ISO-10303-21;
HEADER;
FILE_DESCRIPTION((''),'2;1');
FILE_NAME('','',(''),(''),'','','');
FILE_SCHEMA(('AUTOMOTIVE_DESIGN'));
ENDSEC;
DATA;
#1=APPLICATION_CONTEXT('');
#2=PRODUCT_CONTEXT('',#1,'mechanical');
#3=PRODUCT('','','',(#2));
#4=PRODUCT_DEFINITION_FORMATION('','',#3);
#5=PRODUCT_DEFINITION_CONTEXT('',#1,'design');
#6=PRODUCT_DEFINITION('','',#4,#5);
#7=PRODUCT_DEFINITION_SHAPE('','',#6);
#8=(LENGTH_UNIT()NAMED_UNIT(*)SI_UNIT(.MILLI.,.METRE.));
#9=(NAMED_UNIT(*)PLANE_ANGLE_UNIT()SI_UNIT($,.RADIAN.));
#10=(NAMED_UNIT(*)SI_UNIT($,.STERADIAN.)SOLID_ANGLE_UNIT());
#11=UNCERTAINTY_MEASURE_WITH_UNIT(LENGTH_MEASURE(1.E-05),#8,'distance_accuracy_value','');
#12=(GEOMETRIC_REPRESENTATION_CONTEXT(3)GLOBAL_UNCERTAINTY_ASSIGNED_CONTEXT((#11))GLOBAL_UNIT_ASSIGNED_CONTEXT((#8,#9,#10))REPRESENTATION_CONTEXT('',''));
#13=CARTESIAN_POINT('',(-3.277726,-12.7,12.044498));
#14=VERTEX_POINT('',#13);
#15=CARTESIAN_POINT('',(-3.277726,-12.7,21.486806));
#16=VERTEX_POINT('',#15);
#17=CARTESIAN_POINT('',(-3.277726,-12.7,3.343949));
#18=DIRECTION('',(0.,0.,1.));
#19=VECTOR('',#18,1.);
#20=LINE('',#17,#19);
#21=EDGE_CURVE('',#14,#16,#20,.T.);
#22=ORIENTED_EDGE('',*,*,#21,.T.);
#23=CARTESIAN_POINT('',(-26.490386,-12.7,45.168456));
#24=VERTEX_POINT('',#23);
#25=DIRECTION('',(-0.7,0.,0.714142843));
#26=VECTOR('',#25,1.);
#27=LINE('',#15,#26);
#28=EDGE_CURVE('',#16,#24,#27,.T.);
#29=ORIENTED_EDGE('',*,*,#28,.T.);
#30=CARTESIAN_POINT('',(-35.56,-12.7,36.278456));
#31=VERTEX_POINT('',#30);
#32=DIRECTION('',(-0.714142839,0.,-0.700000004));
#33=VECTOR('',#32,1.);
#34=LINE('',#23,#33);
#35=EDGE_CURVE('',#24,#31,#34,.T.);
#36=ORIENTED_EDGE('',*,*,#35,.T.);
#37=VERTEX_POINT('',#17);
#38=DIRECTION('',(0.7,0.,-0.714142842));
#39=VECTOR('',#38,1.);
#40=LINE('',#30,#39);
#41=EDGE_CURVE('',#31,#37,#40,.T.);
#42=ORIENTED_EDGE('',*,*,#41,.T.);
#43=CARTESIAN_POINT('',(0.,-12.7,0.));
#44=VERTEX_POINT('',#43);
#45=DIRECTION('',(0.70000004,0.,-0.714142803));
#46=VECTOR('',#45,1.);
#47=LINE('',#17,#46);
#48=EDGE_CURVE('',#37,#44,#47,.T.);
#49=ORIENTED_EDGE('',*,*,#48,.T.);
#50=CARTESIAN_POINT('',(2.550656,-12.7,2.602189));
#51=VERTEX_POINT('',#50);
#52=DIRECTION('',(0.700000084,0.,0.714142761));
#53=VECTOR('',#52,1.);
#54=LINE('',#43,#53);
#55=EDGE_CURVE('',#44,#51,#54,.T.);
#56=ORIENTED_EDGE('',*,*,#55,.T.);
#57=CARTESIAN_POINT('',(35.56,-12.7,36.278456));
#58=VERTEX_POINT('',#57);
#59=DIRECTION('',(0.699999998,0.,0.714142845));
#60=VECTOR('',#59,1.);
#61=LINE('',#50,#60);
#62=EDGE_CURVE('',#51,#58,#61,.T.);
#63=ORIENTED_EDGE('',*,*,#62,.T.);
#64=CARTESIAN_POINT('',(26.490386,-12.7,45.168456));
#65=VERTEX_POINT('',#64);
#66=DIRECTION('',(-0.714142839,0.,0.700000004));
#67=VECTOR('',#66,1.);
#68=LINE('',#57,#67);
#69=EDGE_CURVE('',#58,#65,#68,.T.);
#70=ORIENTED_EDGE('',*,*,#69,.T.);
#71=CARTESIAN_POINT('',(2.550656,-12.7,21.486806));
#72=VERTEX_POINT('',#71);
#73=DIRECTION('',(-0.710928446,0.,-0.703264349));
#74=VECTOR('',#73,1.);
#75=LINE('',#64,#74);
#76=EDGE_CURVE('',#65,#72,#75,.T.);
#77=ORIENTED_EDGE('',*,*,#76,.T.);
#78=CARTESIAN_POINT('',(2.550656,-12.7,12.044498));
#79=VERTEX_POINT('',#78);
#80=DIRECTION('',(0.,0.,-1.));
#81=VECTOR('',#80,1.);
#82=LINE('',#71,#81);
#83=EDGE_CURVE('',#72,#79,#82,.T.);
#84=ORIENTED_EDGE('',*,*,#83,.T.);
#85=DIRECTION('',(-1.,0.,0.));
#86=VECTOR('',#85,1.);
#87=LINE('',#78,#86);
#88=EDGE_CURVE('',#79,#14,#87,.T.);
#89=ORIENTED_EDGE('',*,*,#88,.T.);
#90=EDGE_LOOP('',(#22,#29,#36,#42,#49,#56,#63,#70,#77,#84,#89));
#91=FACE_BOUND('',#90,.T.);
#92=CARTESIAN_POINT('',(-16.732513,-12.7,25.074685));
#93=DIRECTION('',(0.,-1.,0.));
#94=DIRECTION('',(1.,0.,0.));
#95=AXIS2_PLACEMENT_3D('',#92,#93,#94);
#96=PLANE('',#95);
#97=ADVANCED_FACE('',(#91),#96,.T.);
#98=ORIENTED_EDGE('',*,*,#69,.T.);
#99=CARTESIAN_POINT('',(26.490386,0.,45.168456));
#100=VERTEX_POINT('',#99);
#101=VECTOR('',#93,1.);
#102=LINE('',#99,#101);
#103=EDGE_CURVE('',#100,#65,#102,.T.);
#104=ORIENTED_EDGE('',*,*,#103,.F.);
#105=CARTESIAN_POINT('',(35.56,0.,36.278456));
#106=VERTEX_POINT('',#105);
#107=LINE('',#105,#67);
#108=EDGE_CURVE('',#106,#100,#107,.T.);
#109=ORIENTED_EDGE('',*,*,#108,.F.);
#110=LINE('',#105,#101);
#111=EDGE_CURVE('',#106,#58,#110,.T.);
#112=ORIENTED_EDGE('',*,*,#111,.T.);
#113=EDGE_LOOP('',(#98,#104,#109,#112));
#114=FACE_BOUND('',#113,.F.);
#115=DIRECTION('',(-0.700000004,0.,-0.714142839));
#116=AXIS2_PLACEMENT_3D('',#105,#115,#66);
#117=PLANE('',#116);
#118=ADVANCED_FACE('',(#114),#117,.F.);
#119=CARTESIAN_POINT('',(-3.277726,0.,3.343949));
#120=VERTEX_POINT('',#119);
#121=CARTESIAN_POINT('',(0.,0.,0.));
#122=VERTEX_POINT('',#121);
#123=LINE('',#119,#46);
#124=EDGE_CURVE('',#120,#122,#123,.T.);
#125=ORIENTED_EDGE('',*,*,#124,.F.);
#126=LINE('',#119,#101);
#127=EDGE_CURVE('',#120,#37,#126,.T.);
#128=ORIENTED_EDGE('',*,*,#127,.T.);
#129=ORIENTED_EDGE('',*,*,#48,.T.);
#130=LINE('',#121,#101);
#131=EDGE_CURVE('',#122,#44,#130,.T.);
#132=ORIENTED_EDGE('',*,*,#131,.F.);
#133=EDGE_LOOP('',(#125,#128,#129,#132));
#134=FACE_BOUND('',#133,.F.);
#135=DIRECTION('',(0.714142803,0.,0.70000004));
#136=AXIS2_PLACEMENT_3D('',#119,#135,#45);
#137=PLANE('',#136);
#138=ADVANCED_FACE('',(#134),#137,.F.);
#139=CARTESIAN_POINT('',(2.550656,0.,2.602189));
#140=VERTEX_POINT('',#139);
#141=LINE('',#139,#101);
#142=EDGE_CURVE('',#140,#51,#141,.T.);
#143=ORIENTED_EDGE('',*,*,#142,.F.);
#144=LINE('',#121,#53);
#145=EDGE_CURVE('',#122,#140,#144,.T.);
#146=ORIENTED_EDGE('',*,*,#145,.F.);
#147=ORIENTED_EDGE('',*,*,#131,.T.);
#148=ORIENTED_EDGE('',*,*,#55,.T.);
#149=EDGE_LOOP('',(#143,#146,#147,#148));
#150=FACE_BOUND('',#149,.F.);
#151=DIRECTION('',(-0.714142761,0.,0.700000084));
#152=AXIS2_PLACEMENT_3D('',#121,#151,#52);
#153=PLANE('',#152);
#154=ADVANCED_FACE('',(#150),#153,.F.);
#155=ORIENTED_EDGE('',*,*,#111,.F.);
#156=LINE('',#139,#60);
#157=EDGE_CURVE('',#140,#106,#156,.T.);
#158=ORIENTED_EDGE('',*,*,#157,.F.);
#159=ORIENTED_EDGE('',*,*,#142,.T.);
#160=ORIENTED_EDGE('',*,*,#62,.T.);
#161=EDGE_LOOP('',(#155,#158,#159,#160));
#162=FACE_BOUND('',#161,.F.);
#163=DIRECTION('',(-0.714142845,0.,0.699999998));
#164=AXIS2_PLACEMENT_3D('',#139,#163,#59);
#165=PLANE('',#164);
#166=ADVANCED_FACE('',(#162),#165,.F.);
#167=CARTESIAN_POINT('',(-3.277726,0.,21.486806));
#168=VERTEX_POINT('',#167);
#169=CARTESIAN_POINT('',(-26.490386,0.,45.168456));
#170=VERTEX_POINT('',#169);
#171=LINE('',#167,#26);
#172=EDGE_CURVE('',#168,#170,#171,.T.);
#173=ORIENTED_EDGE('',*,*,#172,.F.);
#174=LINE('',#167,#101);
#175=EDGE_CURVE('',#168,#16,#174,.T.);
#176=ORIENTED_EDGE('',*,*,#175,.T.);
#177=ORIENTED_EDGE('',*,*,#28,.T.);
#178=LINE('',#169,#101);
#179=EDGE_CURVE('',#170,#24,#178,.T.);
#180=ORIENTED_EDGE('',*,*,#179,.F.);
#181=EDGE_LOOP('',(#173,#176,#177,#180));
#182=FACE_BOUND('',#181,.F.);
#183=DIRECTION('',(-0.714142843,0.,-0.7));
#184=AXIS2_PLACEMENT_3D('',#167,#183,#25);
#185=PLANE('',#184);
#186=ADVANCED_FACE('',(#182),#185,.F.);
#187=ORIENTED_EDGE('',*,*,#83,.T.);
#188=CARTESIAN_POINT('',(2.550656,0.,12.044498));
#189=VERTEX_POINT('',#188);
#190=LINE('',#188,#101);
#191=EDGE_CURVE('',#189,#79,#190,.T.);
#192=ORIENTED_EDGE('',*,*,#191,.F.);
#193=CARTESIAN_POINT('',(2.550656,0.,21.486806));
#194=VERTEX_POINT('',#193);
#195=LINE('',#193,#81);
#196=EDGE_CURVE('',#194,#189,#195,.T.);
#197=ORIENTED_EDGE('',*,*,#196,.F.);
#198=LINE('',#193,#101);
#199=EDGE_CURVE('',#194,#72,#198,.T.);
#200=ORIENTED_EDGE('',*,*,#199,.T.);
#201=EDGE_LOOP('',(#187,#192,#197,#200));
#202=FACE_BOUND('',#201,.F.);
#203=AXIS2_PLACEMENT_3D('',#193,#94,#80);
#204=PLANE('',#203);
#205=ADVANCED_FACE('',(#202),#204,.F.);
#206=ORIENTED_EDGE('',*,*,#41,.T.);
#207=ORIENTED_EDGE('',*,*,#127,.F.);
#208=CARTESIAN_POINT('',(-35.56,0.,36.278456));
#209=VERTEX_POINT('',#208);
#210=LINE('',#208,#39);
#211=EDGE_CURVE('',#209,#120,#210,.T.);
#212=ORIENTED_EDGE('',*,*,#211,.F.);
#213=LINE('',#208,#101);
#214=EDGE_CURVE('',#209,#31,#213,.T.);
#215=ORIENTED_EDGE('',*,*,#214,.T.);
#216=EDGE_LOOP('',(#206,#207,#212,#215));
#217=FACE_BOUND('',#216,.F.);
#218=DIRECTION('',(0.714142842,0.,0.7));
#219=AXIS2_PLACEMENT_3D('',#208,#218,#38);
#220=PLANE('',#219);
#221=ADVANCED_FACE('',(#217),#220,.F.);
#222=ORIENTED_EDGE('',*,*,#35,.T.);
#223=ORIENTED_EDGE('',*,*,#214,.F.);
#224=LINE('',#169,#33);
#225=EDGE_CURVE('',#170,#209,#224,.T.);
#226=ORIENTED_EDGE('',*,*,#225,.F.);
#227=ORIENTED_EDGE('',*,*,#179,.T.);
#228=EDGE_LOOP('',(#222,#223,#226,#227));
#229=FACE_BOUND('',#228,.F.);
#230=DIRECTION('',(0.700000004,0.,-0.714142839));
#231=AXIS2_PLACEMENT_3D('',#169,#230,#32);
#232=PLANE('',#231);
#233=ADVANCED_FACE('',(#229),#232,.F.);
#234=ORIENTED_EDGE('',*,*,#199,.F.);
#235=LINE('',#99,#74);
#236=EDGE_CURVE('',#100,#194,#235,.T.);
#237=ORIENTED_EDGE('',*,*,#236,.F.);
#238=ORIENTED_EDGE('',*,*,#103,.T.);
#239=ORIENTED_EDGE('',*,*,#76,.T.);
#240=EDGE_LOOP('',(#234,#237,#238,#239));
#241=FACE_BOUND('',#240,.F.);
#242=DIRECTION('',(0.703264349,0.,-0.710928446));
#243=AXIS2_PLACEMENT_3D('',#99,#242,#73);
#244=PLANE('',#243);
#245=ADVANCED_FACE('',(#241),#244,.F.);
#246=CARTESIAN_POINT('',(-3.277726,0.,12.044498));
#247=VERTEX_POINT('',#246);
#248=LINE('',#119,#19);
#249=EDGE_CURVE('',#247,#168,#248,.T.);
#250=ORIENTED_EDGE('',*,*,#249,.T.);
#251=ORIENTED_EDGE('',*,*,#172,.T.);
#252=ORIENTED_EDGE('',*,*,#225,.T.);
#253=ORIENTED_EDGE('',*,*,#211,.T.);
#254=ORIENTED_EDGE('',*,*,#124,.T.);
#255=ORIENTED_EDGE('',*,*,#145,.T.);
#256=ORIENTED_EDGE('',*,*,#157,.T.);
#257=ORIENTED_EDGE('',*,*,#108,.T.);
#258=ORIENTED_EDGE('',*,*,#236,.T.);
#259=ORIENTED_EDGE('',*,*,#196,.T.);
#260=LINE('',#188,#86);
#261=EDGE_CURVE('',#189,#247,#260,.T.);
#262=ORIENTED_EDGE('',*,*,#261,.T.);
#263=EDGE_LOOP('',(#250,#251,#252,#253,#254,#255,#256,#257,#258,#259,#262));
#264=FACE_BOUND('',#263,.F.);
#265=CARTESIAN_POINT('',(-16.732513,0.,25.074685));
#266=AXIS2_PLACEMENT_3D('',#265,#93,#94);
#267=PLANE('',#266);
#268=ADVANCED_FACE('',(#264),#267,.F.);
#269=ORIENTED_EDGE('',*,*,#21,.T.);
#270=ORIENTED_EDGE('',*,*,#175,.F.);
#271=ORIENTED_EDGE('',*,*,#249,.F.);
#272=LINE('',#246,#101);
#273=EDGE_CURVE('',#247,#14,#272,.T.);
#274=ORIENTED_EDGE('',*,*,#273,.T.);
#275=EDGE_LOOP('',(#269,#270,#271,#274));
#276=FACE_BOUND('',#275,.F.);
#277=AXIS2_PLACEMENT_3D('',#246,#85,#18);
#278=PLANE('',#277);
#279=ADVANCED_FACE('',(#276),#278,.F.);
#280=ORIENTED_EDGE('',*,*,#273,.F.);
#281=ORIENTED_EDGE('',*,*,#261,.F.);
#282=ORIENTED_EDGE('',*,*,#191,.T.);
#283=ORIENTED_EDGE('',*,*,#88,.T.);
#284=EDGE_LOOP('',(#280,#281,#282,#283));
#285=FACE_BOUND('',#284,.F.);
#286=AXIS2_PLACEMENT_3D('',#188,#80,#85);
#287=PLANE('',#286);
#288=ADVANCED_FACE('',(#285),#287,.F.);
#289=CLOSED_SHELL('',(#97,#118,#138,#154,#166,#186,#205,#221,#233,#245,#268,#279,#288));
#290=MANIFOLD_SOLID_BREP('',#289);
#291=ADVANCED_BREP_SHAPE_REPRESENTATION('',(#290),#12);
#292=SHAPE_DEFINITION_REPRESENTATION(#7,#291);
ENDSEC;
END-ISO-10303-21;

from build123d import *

# Parameters (mm, degrees)
F1_DEPTH = 12.7


with BuildPart() as f1:
    # F0 (on Front) → F1 (new body)
    with BuildSketch(Plane.XZ):
        Polygon((-26.490386, 45.168456), (-35.56, 36.278456), (-3.277726, 3.343949), (-3.277726, 12.044498), (-3.277726, 21.486806), align=None)
        Polygon((-3.277726, 12.044498), (-3.277726, 3.343949), (0, 0), (2.550656, 2.602189), (2.550656, 12.044498), align=None)
        Polygon((2.550656, 12.044498), (2.550656, 2.602189), (35.56, 36.278456), (26.490386, 45.168456), (2.550656, 21.486806), align=None)
    extrude(amount=F1_DEPTH)


solid = f1.part
